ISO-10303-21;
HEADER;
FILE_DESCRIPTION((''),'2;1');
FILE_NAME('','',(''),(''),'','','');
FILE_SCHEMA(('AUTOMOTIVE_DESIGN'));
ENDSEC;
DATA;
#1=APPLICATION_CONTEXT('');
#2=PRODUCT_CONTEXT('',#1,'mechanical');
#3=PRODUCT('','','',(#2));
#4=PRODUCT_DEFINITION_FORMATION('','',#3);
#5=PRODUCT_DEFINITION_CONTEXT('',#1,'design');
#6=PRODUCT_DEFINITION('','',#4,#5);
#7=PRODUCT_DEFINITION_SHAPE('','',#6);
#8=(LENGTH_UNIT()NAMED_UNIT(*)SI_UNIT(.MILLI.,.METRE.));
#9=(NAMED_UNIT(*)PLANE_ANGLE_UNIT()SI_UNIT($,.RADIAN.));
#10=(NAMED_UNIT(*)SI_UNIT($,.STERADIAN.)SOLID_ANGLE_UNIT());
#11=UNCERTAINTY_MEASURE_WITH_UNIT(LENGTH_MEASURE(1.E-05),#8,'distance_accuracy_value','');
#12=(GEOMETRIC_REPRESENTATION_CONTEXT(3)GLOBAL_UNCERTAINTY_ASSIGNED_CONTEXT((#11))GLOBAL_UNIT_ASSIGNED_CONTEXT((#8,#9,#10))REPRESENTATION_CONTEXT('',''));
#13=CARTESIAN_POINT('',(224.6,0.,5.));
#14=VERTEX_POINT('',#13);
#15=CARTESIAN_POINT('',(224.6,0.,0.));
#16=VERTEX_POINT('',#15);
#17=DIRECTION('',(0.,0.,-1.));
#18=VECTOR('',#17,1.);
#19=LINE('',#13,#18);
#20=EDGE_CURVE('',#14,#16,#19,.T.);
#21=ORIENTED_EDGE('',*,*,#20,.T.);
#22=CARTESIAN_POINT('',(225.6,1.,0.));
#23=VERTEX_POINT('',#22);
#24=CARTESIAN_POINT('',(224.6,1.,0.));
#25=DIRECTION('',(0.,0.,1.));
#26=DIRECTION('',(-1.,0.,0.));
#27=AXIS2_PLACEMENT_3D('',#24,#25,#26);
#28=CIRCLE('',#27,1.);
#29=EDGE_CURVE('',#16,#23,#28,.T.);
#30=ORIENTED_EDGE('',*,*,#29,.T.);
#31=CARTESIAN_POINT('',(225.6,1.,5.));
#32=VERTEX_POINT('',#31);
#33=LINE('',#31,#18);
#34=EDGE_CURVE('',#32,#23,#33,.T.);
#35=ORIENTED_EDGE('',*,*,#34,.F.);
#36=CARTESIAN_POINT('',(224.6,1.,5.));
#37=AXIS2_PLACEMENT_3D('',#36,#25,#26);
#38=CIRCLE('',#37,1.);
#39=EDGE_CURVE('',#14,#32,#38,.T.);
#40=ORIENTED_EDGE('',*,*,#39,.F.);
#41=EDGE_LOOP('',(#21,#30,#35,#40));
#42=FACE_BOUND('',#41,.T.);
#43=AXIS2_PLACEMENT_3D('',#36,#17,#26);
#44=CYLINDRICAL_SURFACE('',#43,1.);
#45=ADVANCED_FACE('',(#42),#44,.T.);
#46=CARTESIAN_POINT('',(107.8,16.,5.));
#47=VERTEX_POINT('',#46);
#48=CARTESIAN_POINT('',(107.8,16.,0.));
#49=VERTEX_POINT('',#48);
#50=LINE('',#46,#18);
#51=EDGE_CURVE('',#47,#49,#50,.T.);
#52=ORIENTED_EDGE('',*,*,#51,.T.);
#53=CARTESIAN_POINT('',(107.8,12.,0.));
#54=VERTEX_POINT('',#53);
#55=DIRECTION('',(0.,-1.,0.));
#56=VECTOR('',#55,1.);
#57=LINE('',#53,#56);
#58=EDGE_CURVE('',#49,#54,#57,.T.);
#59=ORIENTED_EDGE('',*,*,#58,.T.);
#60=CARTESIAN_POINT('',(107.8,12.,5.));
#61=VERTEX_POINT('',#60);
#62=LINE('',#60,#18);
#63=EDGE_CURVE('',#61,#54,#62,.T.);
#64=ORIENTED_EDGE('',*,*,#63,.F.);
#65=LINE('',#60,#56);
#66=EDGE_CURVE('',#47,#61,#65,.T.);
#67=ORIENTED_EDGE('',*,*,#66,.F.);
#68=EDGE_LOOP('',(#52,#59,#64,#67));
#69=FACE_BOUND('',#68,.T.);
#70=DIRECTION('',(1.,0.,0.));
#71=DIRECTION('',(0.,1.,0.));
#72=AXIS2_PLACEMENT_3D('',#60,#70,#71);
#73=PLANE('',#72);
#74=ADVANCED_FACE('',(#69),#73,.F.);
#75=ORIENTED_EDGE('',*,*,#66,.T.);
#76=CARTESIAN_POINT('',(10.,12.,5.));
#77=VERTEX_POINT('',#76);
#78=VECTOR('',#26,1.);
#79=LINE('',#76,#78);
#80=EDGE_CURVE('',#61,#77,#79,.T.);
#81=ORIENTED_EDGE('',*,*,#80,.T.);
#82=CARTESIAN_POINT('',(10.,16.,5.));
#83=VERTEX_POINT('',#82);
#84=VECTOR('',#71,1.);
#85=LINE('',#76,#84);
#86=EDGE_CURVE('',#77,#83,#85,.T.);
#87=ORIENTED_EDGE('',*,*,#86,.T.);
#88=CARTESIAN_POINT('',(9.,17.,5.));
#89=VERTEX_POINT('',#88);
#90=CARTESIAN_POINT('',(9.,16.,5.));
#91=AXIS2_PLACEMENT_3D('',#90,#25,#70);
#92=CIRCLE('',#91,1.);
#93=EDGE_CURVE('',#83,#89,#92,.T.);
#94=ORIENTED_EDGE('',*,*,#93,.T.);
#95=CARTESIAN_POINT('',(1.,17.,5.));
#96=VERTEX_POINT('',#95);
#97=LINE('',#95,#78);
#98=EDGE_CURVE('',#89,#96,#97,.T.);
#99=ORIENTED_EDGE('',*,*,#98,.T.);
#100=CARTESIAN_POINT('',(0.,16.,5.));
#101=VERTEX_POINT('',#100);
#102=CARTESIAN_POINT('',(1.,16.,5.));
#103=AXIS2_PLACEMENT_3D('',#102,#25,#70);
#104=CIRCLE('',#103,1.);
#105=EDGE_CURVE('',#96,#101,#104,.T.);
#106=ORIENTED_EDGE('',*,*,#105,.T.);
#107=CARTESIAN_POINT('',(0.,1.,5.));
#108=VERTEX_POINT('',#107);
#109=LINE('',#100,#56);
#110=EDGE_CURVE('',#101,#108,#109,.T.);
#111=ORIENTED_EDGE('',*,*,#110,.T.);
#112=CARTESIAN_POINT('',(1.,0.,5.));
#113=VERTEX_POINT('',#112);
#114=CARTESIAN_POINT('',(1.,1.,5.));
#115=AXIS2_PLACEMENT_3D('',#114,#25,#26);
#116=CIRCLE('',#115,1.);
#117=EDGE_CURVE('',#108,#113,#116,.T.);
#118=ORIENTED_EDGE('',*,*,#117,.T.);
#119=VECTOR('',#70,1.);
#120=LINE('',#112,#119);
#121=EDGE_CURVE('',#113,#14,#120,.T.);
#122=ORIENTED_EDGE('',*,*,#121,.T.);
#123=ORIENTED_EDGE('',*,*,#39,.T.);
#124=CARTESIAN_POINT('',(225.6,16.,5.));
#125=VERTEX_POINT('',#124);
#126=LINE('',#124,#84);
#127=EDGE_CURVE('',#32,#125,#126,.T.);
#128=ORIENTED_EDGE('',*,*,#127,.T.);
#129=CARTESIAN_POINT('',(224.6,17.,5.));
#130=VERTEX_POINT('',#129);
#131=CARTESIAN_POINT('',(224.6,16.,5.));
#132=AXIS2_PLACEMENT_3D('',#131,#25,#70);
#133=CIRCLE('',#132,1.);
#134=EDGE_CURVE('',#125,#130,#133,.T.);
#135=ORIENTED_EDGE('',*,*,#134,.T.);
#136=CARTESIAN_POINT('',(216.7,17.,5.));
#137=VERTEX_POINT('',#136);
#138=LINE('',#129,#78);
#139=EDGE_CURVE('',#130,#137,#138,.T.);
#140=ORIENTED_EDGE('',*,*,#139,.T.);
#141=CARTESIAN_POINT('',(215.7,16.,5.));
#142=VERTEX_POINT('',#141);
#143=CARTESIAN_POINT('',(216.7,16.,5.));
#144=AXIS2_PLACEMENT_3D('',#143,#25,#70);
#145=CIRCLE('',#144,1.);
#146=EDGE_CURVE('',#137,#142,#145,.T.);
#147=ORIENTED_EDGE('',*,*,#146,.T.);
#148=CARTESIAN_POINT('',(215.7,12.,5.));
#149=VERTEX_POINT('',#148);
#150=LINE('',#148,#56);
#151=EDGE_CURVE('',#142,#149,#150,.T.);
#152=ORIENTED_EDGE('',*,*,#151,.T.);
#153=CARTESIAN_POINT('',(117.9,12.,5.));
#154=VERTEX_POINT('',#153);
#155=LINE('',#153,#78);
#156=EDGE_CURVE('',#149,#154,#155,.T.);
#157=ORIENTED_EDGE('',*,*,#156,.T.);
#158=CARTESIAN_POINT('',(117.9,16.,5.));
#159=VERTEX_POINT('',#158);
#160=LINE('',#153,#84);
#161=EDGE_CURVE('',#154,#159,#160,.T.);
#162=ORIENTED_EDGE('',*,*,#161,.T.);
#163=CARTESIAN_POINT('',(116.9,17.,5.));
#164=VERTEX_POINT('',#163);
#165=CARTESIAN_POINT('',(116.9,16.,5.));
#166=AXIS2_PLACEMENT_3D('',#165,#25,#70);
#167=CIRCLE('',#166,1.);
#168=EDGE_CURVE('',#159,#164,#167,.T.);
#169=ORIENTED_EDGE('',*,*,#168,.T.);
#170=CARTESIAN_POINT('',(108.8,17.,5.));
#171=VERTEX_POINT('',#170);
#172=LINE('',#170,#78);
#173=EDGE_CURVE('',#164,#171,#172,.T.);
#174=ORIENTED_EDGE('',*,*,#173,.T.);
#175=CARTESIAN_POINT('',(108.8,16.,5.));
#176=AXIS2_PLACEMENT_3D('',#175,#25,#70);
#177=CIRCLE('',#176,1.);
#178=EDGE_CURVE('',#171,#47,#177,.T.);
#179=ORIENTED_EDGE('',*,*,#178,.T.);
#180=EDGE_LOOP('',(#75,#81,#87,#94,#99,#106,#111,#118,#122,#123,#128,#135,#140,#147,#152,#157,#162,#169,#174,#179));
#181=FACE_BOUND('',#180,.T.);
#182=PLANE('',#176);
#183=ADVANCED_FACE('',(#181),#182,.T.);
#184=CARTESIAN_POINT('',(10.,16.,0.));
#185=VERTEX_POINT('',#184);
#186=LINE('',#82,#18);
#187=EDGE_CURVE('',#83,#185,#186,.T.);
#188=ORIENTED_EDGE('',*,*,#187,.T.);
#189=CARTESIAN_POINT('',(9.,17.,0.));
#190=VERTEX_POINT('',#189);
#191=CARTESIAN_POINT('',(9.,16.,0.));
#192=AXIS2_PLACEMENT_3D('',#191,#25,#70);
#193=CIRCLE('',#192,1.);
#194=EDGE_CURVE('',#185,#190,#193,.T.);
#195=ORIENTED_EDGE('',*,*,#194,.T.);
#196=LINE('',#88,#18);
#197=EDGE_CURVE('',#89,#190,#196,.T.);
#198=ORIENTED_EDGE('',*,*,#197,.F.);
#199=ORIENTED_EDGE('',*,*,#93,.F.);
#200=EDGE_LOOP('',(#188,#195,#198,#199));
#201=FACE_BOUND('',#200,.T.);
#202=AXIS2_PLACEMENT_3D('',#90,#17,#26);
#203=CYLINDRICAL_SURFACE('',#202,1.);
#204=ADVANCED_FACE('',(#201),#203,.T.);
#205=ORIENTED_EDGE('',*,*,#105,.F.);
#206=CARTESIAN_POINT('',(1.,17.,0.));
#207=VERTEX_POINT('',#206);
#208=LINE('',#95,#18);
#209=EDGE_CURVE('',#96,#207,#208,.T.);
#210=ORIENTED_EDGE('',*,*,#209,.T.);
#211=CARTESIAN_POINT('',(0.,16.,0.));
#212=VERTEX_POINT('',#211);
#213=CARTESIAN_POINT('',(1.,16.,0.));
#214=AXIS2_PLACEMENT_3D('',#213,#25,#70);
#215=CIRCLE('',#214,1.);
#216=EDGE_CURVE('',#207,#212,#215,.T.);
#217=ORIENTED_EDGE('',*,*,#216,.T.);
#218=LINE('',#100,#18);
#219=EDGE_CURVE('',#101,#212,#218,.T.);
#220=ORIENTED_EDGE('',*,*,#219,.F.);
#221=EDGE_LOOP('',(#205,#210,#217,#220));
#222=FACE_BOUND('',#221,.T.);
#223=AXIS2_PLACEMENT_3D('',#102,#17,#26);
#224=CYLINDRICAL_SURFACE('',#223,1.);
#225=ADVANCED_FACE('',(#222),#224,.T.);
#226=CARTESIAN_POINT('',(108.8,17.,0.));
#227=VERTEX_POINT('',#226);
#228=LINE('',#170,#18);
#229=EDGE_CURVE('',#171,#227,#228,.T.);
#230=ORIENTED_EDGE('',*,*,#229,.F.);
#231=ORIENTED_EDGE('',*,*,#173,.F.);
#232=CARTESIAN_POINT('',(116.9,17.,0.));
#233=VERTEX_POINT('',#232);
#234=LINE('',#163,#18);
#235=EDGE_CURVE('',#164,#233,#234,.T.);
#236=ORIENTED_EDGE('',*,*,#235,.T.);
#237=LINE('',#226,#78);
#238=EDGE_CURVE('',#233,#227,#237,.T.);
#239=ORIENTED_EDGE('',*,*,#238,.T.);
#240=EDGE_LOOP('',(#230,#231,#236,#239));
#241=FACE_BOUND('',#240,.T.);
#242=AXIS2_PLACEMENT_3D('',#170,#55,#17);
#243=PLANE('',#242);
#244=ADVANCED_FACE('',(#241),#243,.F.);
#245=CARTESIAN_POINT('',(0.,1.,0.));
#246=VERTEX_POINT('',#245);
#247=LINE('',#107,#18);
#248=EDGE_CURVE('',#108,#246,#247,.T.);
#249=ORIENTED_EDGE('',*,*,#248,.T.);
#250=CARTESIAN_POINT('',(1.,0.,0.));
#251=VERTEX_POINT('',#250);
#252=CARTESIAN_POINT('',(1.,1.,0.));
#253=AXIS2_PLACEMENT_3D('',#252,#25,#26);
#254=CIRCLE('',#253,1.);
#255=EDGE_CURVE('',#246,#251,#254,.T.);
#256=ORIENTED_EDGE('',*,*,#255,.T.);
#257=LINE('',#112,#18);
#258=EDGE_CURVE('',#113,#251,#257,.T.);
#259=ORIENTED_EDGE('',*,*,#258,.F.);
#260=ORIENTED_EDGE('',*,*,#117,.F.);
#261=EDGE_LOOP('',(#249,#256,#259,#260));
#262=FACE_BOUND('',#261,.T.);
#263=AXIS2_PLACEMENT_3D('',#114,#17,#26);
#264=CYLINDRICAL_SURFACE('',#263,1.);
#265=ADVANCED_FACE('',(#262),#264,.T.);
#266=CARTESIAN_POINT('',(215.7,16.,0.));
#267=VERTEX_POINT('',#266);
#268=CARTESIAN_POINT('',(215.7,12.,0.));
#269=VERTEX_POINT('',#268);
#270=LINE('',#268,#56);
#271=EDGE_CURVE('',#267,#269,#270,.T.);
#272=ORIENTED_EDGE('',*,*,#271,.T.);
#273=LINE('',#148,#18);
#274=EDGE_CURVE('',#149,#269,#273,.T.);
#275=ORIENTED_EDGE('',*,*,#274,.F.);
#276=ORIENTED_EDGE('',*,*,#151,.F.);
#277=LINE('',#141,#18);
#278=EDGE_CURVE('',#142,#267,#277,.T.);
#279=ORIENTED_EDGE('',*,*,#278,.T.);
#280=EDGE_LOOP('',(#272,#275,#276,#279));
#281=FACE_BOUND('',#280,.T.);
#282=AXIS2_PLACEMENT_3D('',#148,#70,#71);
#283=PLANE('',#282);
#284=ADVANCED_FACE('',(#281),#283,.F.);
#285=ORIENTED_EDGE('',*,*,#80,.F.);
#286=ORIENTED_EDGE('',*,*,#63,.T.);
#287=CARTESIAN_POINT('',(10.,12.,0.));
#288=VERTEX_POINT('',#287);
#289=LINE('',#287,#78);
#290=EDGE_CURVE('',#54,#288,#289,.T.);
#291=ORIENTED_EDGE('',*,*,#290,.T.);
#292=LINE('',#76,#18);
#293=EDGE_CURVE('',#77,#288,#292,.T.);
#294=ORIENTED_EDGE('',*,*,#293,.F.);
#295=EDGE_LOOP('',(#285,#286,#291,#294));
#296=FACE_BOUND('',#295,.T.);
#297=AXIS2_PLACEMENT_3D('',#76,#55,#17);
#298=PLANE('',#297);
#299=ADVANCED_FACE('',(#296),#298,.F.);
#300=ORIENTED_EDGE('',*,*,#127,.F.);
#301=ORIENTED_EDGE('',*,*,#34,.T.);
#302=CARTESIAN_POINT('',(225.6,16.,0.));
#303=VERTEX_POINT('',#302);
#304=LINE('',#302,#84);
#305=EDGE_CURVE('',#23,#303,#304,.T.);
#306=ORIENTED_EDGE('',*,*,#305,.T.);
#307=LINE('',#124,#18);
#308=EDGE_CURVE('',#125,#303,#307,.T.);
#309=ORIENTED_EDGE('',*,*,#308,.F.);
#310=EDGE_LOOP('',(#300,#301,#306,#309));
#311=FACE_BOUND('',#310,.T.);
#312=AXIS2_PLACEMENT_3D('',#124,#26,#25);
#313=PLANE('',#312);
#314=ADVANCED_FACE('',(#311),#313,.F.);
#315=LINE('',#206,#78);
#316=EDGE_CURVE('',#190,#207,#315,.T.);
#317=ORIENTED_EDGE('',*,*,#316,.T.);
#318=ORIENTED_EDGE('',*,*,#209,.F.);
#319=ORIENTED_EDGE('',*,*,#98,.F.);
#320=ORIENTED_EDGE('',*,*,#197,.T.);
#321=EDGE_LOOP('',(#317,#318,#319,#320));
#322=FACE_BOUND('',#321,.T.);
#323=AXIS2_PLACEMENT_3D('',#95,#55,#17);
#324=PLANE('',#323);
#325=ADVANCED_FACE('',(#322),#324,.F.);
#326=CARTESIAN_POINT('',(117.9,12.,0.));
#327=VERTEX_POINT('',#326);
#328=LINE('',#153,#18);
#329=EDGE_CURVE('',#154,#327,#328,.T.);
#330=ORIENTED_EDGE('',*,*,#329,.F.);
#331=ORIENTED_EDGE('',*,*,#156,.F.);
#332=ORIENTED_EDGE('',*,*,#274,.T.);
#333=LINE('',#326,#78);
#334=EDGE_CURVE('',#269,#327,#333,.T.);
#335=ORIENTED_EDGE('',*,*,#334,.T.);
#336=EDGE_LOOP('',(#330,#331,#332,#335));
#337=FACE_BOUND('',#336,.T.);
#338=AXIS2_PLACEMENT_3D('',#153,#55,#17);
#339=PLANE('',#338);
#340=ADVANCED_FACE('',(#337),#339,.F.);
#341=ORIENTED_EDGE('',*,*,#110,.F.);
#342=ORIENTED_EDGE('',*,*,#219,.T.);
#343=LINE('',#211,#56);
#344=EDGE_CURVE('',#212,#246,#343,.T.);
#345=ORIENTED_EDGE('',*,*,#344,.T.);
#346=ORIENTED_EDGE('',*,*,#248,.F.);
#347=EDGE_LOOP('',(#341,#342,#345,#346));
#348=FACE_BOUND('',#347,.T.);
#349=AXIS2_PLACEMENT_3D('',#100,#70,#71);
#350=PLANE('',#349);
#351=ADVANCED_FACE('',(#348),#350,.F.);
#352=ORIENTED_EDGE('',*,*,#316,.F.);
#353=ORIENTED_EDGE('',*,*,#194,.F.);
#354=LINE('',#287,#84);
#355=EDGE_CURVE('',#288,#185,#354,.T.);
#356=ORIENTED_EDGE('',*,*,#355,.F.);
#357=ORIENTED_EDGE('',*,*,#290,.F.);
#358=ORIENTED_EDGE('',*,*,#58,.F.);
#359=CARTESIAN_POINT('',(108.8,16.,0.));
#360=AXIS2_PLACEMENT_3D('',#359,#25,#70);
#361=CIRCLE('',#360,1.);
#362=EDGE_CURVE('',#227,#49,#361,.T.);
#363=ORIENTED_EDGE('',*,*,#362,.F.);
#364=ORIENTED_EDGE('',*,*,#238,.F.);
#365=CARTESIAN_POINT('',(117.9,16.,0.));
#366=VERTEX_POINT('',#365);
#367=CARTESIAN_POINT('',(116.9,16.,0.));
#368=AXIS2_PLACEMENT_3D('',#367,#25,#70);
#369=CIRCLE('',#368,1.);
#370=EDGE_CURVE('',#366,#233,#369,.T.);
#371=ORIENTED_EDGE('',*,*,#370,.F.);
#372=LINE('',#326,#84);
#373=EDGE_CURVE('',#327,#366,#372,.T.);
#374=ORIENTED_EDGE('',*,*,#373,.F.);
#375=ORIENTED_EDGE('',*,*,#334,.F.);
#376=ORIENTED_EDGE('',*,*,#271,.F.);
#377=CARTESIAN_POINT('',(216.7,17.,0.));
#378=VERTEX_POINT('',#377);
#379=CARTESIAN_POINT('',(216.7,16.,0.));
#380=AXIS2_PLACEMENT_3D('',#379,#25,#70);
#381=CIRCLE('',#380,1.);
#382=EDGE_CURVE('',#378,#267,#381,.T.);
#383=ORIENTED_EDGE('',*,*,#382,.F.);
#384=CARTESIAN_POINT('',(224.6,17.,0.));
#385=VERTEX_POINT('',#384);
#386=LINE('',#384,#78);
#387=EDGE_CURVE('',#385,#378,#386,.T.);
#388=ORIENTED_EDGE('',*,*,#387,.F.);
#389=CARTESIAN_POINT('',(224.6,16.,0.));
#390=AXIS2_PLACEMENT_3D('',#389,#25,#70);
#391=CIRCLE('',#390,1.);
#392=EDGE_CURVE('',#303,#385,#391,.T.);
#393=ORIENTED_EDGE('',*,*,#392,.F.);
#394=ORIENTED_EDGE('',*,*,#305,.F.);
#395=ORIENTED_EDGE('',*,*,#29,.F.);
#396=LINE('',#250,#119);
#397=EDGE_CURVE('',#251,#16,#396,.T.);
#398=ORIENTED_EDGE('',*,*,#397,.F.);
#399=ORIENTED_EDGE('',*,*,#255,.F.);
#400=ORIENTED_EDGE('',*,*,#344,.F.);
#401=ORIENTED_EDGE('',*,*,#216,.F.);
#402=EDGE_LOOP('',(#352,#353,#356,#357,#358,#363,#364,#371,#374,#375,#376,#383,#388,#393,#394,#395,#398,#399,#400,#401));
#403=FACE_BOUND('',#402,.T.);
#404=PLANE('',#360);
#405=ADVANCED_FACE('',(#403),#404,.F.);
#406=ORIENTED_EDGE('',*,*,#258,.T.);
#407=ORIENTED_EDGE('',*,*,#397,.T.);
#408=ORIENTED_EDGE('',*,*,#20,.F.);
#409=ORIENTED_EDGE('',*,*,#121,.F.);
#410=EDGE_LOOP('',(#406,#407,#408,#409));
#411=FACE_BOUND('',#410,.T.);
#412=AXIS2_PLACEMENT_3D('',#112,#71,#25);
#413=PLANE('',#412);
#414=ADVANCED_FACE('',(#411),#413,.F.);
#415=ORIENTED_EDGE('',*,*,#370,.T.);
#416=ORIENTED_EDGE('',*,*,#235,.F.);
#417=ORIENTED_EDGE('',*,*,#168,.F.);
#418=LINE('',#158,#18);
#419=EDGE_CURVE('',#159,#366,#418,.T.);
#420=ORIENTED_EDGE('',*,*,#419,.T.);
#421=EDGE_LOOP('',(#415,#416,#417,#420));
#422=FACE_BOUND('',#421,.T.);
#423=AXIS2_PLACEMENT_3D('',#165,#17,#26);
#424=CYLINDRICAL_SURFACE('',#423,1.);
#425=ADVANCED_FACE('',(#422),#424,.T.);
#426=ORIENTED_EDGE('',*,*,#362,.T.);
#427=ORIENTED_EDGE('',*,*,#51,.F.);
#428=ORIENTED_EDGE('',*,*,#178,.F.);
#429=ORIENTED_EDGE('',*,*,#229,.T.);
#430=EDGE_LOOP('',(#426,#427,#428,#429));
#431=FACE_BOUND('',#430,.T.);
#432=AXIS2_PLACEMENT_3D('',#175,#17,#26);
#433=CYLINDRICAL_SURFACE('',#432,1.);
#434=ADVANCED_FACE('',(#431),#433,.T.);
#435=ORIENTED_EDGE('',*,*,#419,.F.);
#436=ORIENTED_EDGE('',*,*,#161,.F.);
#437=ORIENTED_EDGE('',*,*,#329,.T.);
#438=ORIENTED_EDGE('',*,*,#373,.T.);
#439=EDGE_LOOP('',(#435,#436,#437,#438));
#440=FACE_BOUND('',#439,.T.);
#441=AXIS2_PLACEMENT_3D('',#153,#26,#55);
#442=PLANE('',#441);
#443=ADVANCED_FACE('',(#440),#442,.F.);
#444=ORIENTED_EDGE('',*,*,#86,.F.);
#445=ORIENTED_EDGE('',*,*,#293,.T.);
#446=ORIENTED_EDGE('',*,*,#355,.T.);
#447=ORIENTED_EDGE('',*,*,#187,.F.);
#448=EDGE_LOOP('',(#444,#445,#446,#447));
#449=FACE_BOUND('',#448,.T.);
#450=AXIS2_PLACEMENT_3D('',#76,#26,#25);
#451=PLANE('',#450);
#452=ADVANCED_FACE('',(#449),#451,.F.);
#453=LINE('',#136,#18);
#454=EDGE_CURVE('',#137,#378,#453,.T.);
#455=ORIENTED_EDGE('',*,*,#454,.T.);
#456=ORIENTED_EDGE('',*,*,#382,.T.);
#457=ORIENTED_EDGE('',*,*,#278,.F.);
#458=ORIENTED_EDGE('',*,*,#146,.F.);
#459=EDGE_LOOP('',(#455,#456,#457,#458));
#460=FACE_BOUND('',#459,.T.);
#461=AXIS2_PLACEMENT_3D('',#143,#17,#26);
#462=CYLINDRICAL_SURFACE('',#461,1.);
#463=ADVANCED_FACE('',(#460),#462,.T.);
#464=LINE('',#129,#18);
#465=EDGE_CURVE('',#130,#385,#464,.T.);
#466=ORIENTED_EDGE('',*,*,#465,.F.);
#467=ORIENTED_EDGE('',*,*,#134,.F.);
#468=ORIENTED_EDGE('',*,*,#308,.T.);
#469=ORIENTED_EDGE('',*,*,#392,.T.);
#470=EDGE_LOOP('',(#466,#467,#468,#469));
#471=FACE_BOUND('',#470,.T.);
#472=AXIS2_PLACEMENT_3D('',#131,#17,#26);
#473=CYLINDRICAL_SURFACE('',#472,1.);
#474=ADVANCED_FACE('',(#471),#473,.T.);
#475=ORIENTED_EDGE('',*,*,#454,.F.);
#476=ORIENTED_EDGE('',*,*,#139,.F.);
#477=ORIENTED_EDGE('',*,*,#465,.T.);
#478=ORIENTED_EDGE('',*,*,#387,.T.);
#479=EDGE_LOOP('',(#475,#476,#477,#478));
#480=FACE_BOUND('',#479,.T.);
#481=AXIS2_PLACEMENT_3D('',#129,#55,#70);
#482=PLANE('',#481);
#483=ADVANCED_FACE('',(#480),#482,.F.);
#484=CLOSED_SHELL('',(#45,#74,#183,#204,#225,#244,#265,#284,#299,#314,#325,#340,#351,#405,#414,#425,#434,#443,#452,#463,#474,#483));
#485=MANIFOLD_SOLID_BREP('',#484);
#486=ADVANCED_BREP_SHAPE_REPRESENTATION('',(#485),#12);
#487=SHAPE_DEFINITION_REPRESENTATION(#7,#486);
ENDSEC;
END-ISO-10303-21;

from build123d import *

# Parameters (mm, degrees)
BOSS_EXTRUDE1_DEPTH = 5


with BuildPart() as part:
    # Sketch1 → Boss-Extrude1 (new body)
    with BuildSketch(Plane.XY):
        with BuildLine():
            Line((117.9, 12), (215.7, 12))
            Line((215.7, 12), (215.7, 16))
            ThreePointArc((215.7, 16), (215.992893219, 16.707106781), (216.7, 17))
            Line((216.7, 17), (224.6, 17))
            ThreePointArc((224.6, 17), (225.307106781, 16.707106781), (225.6, 16))
            Line((225.6, 16), (225.6, 1))
            ThreePointArc((225.6, 1), (225.307106781, 0.292893219), (224.6, 0))
            Line((224.6, 0), (1, 0))
            ThreePointArc((1, 0), (0.292893219, 0.292893219), (0, 1))
            Line((0, 1), (0, 16))
            ThreePointArc((0, 16), (0.292893219, 16.707106781), (1, 17))
            Line((1, 17), (9, 17))
            ThreePointArc((9, 17), (9.707106781, 16.707106781), (10, 16))
            Line((10, 16), (10, 12))
            Line((10, 12), (107.8, 12))
            Line((107.8, 12), (107.8, 16))
            ThreePointArc((107.8, 16), (108.092893219, 16.707106781), (108.8, 17))
            Line((108.8, 17), (116.9, 17))
            ThreePointArc((116.9, 17), (117.607106781, 16.707106781), (117.9, 16))
            Line((117.9, 16), (117.9, 12))
        make_face()
    extrude(amount=BOSS_EXTRUDE1_DEPTH)


solid = part.part
